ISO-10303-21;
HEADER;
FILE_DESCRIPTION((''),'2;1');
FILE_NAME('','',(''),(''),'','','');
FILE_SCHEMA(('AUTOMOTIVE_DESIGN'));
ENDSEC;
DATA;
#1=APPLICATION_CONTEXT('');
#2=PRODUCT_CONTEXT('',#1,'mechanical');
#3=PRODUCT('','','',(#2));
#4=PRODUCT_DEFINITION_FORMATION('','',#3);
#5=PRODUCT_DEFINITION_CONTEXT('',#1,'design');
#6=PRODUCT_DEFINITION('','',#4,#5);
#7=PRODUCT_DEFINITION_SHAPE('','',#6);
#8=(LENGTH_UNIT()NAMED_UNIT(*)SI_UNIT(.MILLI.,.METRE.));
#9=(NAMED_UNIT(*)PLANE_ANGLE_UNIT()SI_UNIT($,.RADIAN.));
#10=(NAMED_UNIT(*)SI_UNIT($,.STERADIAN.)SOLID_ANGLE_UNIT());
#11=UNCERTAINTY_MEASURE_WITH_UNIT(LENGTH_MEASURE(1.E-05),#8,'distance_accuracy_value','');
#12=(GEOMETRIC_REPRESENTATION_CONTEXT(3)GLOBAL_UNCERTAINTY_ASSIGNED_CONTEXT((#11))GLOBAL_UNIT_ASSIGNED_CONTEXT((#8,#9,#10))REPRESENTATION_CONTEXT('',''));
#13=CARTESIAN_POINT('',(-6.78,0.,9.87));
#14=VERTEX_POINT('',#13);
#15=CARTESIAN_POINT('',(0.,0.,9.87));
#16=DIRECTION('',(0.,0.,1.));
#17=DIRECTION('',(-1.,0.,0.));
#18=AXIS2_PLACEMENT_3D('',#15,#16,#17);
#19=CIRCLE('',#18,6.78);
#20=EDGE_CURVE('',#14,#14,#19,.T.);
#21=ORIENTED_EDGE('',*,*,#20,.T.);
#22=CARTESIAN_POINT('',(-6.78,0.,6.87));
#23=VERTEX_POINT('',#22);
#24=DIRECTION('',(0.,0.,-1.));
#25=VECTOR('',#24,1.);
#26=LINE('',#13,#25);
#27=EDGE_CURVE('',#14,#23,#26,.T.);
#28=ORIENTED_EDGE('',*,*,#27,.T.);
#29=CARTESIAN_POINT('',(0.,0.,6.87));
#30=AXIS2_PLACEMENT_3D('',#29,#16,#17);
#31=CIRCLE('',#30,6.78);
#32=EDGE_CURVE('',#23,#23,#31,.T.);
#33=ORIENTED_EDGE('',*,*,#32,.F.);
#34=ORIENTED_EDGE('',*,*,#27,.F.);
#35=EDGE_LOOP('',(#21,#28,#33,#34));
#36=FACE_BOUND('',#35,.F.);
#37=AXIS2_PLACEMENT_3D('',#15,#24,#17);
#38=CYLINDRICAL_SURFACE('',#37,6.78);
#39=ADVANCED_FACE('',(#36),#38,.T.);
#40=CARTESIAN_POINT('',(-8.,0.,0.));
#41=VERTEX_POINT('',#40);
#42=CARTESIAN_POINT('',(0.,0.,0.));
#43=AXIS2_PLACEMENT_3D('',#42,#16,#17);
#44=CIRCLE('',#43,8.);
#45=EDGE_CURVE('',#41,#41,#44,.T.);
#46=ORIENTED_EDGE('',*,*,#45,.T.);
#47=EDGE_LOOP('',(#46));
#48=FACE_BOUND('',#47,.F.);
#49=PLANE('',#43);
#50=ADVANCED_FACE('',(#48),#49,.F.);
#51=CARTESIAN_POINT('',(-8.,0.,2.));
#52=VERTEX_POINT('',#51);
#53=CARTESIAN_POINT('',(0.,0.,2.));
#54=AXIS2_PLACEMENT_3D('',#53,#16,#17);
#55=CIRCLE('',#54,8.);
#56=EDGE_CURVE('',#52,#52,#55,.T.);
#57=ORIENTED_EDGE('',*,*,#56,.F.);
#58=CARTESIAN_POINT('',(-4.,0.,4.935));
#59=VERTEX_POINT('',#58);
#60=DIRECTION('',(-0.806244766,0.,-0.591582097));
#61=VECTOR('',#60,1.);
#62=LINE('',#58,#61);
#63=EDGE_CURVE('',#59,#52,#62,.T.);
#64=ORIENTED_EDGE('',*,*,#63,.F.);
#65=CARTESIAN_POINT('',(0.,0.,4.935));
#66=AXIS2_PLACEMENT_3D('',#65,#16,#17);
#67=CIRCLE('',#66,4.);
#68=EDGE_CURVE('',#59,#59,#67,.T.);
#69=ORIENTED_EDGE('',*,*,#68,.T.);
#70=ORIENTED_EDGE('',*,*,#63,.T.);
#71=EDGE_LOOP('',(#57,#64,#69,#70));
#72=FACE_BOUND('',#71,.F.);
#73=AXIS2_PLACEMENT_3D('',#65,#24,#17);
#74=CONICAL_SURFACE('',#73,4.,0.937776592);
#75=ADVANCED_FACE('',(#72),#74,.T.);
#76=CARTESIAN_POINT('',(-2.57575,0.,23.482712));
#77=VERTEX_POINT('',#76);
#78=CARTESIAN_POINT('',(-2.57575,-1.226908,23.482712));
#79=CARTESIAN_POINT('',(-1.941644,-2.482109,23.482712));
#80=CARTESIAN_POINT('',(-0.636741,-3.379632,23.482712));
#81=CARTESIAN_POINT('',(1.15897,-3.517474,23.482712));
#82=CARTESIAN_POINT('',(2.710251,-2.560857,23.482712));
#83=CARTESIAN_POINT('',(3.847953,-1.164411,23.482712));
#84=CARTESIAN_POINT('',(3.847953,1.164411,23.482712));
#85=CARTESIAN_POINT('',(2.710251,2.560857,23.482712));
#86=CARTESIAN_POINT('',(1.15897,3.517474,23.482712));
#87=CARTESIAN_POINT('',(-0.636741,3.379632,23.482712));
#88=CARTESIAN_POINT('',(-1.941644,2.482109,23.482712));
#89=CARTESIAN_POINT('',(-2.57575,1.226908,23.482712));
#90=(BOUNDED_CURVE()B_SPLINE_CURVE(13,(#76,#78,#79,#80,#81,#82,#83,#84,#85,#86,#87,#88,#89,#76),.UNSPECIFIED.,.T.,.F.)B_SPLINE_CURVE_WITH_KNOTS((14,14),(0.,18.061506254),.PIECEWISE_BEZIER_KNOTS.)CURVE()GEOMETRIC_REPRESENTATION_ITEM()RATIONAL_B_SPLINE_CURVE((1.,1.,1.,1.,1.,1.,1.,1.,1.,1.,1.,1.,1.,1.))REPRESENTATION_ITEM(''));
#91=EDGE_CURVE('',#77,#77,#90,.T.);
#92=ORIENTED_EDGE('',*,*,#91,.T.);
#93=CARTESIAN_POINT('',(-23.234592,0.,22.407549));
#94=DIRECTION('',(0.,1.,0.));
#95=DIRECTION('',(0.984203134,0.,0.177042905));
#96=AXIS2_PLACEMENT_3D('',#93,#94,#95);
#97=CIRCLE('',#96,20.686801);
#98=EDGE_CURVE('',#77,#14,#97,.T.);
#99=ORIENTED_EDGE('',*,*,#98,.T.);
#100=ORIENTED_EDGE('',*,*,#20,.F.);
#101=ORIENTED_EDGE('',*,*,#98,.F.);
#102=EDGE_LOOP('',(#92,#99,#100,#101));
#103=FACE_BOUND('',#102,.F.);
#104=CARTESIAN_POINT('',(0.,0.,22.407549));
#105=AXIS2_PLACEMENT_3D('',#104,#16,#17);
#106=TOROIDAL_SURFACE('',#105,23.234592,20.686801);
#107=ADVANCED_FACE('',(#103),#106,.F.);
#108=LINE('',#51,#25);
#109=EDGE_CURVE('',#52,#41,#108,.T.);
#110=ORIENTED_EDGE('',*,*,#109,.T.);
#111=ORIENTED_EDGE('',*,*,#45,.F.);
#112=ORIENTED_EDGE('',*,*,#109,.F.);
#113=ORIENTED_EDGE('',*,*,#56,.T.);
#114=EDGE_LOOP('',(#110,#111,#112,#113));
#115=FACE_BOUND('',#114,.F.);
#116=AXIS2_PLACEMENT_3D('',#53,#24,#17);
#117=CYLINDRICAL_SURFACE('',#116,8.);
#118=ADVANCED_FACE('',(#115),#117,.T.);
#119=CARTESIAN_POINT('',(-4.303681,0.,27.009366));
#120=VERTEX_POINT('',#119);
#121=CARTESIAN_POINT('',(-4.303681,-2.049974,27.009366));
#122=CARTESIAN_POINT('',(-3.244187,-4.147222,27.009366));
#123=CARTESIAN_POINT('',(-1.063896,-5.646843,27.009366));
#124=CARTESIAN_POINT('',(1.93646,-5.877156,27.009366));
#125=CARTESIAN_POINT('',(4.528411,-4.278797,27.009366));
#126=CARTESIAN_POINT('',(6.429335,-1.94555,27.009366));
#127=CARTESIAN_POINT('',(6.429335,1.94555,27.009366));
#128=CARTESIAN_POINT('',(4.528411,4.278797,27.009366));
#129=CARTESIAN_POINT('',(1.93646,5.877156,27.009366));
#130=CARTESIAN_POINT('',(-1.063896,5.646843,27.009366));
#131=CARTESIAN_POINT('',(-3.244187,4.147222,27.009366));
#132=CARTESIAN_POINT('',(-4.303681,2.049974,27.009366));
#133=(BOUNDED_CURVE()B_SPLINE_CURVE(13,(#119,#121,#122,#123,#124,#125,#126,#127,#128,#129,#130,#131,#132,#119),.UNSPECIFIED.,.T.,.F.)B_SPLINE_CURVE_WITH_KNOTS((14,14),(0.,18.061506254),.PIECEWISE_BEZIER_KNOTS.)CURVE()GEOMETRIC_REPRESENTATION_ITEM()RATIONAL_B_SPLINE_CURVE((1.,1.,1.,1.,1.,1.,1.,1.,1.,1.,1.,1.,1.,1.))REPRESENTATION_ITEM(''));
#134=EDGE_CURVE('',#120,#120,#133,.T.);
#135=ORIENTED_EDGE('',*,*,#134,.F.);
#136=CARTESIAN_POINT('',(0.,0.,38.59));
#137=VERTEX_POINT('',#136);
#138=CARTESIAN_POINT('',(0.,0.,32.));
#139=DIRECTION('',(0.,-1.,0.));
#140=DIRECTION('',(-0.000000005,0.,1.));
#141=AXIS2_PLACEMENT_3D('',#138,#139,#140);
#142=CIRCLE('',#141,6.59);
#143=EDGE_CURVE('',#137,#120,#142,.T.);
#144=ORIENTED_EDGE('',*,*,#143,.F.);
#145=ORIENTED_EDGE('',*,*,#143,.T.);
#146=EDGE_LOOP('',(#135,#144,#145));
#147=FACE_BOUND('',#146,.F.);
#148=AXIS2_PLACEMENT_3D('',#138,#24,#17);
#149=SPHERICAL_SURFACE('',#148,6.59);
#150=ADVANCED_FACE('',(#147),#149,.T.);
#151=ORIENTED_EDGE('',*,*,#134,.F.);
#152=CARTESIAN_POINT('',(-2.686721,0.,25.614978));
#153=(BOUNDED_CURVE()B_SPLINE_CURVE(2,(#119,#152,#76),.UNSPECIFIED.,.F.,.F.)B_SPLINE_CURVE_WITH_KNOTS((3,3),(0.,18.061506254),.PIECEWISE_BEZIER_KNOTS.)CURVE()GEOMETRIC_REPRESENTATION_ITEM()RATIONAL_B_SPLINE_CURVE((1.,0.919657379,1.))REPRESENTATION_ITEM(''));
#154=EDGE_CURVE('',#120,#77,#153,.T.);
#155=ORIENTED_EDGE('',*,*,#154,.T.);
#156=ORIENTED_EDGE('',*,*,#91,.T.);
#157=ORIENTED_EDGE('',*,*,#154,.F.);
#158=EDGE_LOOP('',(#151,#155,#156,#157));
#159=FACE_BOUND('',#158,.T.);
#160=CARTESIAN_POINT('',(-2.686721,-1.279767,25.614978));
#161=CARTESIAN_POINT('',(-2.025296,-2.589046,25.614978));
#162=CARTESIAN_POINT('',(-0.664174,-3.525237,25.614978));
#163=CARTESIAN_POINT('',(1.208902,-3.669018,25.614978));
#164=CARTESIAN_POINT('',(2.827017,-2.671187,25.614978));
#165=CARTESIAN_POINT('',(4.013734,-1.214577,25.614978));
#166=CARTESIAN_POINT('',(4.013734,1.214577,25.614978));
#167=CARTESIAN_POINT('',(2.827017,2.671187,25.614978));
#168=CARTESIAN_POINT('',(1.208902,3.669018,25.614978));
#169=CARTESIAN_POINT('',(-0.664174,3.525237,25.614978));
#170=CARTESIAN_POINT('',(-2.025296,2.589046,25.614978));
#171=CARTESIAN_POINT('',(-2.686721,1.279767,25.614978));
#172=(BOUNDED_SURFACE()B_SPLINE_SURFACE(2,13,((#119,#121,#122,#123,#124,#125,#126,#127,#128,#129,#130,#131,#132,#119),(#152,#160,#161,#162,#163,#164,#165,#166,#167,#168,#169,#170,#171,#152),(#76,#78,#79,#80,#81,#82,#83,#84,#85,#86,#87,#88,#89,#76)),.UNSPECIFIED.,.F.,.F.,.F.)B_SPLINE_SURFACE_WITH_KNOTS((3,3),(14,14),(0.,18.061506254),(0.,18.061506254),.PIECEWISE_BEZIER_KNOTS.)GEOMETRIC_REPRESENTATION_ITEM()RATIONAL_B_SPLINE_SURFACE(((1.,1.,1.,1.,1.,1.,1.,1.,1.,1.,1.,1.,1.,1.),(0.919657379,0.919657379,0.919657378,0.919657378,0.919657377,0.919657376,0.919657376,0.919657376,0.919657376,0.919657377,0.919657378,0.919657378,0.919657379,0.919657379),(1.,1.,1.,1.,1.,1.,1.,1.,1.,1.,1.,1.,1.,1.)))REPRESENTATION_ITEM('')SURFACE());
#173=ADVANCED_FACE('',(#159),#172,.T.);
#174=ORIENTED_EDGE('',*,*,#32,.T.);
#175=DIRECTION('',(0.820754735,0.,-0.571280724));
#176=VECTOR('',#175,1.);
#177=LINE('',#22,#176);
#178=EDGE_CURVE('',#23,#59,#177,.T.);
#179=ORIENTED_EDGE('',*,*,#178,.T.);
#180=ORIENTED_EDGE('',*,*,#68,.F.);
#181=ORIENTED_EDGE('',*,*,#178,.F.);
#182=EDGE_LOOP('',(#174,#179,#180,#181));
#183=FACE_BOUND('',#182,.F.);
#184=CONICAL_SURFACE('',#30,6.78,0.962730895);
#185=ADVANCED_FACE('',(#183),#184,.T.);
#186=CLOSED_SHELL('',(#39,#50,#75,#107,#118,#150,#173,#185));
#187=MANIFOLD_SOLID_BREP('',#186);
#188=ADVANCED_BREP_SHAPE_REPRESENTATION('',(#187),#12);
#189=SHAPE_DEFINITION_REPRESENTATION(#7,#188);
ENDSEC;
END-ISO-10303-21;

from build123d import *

# Parameters (mm, degrees)
F2_R = 5


with BuildPart() as f1:
    # F0 (on Front) → F1 (revolve)
    with BuildSketch(Plane.XZ):
        with BuildLine():
            Line((-8, 0), (0, 0))
            Line((0, 0), (0, 9.87))
            Line((0, 9.87), (0, 26.07))
            Line((0, 26.07), (0, 32))
            Line((0, 32), (0, 38.59))
            ThreePointArc((0, 38.59), (-6.422881, 33.474686), (-2.874578, 26.07))
            ThreePointArc((-2.874578, 26.07), (-3.123928, 17.559362), (-6.78, 9.87))
            Line((-6.78, 9.87), (-6.78, 6.87))
            Line((-6.78, 6.87), (-4, 4.935))
            Line((-4, 4.935), (-8, 2))
            Line((-8, 2), (-8, 0))
        make_face()
    revolve(axis=Axis((0, 0, 35.295), (0, 0, 1)))

    # F2
    f2_edges = [f1.edges().sort_by_distance(p)[0] for p in [
        (2.874578, 0, 26.07),
        (-6.422881, 0, 33.474686),
    ]]
    fillet(f2_edges, radius=F2_R)


solid = f1.part
